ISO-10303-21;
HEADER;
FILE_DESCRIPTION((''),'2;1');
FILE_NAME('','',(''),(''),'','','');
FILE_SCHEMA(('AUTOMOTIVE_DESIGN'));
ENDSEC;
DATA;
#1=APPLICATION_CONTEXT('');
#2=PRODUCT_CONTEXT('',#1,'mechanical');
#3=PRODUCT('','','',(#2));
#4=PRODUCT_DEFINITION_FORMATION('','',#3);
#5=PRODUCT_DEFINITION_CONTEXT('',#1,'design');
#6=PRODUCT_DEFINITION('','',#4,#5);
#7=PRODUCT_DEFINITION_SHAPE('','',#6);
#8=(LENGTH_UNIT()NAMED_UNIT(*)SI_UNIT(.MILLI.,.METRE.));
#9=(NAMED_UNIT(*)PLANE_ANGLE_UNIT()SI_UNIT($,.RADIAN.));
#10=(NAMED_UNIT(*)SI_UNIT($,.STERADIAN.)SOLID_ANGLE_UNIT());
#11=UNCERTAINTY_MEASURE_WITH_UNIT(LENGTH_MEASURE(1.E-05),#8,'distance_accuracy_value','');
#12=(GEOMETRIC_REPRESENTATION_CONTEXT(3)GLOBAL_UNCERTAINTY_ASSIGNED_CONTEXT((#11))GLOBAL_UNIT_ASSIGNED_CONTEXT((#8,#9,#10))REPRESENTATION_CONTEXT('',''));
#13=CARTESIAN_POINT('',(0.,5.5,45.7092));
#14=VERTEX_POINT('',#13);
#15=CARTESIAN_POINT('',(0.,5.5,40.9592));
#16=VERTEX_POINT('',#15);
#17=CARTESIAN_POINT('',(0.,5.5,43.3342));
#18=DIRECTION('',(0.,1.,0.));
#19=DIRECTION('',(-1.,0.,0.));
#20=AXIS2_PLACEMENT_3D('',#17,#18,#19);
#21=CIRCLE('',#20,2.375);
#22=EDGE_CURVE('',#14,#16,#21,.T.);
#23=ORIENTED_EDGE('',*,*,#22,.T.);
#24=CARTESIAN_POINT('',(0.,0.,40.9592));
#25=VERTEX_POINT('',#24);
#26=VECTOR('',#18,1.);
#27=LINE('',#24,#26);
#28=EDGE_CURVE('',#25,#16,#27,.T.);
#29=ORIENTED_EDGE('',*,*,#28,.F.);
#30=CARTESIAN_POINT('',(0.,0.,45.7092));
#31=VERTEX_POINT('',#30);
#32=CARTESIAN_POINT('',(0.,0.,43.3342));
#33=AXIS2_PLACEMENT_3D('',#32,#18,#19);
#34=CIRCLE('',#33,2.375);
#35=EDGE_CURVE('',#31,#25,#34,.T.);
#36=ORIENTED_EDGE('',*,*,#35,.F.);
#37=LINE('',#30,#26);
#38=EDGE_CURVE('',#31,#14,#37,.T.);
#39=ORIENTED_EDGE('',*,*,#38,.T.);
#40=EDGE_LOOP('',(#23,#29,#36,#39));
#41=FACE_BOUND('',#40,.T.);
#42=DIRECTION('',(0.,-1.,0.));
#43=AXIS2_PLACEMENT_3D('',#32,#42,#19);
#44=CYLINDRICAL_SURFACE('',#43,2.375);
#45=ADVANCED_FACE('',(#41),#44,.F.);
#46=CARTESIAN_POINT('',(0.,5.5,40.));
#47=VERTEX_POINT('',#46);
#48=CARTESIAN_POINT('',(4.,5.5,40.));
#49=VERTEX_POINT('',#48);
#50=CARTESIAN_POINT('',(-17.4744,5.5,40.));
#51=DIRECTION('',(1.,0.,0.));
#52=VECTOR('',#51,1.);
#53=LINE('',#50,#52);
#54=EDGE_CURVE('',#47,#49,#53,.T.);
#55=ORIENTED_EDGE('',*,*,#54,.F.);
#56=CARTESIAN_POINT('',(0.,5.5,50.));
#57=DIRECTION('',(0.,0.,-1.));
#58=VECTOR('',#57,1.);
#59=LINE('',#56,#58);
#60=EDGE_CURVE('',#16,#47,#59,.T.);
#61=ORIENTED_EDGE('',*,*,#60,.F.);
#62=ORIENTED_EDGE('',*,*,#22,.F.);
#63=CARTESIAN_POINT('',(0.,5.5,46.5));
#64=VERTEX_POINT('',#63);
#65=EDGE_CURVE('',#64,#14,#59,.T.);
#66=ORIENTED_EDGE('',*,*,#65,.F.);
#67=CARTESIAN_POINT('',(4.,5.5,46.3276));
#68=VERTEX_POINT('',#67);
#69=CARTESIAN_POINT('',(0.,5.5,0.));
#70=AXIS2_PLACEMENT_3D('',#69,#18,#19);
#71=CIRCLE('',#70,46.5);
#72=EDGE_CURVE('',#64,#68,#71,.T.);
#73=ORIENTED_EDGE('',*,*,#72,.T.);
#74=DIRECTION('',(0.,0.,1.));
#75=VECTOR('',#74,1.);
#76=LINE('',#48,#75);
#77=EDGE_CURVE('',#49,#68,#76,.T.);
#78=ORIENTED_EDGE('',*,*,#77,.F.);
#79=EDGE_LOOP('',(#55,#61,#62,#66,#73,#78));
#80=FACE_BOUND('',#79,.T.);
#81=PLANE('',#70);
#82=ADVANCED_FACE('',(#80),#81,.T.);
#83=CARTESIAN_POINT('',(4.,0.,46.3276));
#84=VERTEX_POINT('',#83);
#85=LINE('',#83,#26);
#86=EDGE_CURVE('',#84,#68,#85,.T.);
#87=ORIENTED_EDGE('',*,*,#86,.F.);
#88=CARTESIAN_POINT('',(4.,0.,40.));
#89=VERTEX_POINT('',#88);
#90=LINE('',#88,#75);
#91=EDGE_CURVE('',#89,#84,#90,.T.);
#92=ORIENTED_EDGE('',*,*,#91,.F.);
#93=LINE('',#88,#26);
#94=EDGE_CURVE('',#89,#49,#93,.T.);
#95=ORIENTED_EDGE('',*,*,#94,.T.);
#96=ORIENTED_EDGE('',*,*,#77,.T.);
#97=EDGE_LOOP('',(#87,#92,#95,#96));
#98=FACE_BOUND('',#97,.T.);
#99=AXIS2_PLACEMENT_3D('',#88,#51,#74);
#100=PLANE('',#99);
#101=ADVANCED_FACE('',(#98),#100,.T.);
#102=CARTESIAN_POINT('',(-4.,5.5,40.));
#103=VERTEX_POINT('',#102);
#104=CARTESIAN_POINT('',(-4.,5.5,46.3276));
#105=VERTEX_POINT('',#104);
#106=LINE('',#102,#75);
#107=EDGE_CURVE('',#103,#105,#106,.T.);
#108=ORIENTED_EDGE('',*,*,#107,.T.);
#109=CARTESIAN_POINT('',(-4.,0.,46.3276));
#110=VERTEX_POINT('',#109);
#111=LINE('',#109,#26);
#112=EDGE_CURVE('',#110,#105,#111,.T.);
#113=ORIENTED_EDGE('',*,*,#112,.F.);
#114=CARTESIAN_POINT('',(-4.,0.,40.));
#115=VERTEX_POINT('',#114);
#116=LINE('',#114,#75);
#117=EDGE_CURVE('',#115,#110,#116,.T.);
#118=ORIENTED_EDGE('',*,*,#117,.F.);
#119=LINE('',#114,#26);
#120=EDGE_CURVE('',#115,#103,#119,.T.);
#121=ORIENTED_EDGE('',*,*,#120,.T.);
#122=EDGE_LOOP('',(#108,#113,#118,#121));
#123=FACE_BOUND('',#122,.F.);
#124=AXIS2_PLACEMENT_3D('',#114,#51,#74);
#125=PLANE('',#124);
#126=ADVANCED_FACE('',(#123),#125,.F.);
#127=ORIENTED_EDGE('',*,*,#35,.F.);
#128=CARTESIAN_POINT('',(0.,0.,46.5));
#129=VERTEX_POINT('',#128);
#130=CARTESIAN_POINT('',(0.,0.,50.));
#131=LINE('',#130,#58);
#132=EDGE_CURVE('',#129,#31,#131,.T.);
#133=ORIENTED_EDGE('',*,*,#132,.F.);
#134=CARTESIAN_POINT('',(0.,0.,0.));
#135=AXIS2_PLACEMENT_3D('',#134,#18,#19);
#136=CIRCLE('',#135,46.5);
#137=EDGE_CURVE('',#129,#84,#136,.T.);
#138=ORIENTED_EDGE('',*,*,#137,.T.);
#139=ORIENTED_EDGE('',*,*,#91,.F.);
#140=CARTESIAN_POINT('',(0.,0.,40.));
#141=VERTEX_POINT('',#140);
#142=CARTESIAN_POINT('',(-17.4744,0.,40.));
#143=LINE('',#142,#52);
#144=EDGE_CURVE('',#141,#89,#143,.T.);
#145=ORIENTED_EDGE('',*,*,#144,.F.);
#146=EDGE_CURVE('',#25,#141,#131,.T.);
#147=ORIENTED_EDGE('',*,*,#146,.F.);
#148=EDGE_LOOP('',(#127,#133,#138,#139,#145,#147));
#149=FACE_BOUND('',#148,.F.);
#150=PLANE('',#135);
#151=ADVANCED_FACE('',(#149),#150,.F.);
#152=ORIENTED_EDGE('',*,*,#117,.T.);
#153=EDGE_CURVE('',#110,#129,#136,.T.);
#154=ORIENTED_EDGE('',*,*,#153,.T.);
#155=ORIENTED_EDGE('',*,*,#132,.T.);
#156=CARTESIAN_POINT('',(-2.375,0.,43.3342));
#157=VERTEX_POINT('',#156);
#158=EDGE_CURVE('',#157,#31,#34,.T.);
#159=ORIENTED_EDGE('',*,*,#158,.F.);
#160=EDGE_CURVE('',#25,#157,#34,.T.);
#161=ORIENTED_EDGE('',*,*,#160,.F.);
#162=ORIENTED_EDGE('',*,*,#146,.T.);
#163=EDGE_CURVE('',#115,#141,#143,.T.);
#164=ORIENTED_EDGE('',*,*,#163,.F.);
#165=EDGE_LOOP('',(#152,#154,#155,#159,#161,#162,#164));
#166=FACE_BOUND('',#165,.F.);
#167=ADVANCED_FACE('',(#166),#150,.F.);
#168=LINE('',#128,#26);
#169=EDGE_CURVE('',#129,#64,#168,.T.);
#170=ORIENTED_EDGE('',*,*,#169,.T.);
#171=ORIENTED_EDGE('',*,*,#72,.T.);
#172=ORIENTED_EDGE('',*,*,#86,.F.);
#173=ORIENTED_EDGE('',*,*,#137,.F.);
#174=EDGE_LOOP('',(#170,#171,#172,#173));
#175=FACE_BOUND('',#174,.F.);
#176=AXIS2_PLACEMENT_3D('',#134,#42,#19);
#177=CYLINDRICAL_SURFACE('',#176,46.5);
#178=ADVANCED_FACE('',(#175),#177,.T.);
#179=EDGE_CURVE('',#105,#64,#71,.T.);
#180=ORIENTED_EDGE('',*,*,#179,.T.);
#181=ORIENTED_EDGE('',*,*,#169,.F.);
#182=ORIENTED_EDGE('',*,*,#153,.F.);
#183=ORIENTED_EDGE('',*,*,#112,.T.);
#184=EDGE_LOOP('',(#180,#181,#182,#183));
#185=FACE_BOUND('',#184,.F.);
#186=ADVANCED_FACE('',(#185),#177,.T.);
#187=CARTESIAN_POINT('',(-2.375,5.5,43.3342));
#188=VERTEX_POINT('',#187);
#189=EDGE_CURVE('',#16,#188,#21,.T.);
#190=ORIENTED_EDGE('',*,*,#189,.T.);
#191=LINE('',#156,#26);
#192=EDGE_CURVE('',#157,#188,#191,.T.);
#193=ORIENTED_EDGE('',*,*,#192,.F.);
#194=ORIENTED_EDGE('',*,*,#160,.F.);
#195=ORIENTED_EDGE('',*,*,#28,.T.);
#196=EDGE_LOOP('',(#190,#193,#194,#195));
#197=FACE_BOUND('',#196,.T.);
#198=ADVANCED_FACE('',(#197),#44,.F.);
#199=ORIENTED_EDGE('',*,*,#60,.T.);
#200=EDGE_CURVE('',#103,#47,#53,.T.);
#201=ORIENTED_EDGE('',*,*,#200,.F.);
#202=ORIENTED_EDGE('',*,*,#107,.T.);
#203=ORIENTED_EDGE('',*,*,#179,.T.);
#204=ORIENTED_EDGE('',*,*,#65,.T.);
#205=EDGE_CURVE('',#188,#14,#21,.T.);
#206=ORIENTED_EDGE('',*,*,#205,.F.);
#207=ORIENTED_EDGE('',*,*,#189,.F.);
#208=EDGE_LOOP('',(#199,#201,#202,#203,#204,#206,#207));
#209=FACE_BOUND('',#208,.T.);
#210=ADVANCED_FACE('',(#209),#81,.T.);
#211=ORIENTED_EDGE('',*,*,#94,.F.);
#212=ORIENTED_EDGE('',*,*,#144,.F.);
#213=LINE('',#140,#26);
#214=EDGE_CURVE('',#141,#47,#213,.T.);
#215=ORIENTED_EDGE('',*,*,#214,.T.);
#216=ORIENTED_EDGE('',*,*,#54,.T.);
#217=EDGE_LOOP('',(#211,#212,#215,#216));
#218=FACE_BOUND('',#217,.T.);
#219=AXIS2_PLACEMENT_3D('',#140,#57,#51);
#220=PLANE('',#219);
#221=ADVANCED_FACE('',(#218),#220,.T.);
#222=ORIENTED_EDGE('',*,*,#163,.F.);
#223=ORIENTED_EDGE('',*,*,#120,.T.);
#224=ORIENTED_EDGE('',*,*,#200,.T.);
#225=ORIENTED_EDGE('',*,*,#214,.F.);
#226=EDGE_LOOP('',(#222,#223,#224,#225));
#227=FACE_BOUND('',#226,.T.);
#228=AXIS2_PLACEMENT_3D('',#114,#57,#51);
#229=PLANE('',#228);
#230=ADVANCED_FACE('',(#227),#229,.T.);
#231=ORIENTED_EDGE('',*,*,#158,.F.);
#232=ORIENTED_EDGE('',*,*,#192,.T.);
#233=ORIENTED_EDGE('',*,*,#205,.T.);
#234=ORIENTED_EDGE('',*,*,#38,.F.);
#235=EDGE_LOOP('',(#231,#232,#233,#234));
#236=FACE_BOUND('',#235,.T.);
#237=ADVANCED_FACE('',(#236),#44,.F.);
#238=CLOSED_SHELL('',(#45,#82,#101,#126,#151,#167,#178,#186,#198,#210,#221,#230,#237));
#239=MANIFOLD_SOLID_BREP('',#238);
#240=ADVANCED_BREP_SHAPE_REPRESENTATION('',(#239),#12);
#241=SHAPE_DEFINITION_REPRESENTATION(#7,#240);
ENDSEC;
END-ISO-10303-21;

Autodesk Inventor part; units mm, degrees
ref_plane "YZ Plane" through (0, 0, 0) normal (1, 0, 0) x (0, 1, 0)
ref_plane "XZ Plane" through (0, 0, 0) normal (0, 1, 0) x (-1, 0, 0)
ref_plane "XY Plane" through (0, 0, 0) normal (0, 0, 1) x (1, 0, 0)
sketch "Sketch1" plane through (0, 0, 0) normal (0, 1, 0) x (-1, 0, 0)
  circle A0 centre (0, 0) radius 50
  circle A1 centre (0, 0) radius 46.5
  circle A2 centre (0, 43.3342) radius 2.375
  line L0 (17.4744, 40) -> (-15.3474, 40)
  line L1 (4, 40) -> (4, 46.3276)
  line L2 (-4, 40) -> (-4, 46.3276)
  line L3 (0, 50) -> (0, 0)
  dimension "d0" = 100
  dimension "d1" = 93
  dimension "d2" = 4.75
  dimension "d6" = 40
  dimension "d8" = 4
  dimension "d10" = 4
  dimension "d11" = 4
  dimension "d12" = 0
extrude "Extrusion1" add sketch "Sketch1" along normal blind 5.5 contours A1 L1 L0 L3 A2 | L3 A2 L0 L2 A1
properties part number "100MagnetHolder_3DPrint"
